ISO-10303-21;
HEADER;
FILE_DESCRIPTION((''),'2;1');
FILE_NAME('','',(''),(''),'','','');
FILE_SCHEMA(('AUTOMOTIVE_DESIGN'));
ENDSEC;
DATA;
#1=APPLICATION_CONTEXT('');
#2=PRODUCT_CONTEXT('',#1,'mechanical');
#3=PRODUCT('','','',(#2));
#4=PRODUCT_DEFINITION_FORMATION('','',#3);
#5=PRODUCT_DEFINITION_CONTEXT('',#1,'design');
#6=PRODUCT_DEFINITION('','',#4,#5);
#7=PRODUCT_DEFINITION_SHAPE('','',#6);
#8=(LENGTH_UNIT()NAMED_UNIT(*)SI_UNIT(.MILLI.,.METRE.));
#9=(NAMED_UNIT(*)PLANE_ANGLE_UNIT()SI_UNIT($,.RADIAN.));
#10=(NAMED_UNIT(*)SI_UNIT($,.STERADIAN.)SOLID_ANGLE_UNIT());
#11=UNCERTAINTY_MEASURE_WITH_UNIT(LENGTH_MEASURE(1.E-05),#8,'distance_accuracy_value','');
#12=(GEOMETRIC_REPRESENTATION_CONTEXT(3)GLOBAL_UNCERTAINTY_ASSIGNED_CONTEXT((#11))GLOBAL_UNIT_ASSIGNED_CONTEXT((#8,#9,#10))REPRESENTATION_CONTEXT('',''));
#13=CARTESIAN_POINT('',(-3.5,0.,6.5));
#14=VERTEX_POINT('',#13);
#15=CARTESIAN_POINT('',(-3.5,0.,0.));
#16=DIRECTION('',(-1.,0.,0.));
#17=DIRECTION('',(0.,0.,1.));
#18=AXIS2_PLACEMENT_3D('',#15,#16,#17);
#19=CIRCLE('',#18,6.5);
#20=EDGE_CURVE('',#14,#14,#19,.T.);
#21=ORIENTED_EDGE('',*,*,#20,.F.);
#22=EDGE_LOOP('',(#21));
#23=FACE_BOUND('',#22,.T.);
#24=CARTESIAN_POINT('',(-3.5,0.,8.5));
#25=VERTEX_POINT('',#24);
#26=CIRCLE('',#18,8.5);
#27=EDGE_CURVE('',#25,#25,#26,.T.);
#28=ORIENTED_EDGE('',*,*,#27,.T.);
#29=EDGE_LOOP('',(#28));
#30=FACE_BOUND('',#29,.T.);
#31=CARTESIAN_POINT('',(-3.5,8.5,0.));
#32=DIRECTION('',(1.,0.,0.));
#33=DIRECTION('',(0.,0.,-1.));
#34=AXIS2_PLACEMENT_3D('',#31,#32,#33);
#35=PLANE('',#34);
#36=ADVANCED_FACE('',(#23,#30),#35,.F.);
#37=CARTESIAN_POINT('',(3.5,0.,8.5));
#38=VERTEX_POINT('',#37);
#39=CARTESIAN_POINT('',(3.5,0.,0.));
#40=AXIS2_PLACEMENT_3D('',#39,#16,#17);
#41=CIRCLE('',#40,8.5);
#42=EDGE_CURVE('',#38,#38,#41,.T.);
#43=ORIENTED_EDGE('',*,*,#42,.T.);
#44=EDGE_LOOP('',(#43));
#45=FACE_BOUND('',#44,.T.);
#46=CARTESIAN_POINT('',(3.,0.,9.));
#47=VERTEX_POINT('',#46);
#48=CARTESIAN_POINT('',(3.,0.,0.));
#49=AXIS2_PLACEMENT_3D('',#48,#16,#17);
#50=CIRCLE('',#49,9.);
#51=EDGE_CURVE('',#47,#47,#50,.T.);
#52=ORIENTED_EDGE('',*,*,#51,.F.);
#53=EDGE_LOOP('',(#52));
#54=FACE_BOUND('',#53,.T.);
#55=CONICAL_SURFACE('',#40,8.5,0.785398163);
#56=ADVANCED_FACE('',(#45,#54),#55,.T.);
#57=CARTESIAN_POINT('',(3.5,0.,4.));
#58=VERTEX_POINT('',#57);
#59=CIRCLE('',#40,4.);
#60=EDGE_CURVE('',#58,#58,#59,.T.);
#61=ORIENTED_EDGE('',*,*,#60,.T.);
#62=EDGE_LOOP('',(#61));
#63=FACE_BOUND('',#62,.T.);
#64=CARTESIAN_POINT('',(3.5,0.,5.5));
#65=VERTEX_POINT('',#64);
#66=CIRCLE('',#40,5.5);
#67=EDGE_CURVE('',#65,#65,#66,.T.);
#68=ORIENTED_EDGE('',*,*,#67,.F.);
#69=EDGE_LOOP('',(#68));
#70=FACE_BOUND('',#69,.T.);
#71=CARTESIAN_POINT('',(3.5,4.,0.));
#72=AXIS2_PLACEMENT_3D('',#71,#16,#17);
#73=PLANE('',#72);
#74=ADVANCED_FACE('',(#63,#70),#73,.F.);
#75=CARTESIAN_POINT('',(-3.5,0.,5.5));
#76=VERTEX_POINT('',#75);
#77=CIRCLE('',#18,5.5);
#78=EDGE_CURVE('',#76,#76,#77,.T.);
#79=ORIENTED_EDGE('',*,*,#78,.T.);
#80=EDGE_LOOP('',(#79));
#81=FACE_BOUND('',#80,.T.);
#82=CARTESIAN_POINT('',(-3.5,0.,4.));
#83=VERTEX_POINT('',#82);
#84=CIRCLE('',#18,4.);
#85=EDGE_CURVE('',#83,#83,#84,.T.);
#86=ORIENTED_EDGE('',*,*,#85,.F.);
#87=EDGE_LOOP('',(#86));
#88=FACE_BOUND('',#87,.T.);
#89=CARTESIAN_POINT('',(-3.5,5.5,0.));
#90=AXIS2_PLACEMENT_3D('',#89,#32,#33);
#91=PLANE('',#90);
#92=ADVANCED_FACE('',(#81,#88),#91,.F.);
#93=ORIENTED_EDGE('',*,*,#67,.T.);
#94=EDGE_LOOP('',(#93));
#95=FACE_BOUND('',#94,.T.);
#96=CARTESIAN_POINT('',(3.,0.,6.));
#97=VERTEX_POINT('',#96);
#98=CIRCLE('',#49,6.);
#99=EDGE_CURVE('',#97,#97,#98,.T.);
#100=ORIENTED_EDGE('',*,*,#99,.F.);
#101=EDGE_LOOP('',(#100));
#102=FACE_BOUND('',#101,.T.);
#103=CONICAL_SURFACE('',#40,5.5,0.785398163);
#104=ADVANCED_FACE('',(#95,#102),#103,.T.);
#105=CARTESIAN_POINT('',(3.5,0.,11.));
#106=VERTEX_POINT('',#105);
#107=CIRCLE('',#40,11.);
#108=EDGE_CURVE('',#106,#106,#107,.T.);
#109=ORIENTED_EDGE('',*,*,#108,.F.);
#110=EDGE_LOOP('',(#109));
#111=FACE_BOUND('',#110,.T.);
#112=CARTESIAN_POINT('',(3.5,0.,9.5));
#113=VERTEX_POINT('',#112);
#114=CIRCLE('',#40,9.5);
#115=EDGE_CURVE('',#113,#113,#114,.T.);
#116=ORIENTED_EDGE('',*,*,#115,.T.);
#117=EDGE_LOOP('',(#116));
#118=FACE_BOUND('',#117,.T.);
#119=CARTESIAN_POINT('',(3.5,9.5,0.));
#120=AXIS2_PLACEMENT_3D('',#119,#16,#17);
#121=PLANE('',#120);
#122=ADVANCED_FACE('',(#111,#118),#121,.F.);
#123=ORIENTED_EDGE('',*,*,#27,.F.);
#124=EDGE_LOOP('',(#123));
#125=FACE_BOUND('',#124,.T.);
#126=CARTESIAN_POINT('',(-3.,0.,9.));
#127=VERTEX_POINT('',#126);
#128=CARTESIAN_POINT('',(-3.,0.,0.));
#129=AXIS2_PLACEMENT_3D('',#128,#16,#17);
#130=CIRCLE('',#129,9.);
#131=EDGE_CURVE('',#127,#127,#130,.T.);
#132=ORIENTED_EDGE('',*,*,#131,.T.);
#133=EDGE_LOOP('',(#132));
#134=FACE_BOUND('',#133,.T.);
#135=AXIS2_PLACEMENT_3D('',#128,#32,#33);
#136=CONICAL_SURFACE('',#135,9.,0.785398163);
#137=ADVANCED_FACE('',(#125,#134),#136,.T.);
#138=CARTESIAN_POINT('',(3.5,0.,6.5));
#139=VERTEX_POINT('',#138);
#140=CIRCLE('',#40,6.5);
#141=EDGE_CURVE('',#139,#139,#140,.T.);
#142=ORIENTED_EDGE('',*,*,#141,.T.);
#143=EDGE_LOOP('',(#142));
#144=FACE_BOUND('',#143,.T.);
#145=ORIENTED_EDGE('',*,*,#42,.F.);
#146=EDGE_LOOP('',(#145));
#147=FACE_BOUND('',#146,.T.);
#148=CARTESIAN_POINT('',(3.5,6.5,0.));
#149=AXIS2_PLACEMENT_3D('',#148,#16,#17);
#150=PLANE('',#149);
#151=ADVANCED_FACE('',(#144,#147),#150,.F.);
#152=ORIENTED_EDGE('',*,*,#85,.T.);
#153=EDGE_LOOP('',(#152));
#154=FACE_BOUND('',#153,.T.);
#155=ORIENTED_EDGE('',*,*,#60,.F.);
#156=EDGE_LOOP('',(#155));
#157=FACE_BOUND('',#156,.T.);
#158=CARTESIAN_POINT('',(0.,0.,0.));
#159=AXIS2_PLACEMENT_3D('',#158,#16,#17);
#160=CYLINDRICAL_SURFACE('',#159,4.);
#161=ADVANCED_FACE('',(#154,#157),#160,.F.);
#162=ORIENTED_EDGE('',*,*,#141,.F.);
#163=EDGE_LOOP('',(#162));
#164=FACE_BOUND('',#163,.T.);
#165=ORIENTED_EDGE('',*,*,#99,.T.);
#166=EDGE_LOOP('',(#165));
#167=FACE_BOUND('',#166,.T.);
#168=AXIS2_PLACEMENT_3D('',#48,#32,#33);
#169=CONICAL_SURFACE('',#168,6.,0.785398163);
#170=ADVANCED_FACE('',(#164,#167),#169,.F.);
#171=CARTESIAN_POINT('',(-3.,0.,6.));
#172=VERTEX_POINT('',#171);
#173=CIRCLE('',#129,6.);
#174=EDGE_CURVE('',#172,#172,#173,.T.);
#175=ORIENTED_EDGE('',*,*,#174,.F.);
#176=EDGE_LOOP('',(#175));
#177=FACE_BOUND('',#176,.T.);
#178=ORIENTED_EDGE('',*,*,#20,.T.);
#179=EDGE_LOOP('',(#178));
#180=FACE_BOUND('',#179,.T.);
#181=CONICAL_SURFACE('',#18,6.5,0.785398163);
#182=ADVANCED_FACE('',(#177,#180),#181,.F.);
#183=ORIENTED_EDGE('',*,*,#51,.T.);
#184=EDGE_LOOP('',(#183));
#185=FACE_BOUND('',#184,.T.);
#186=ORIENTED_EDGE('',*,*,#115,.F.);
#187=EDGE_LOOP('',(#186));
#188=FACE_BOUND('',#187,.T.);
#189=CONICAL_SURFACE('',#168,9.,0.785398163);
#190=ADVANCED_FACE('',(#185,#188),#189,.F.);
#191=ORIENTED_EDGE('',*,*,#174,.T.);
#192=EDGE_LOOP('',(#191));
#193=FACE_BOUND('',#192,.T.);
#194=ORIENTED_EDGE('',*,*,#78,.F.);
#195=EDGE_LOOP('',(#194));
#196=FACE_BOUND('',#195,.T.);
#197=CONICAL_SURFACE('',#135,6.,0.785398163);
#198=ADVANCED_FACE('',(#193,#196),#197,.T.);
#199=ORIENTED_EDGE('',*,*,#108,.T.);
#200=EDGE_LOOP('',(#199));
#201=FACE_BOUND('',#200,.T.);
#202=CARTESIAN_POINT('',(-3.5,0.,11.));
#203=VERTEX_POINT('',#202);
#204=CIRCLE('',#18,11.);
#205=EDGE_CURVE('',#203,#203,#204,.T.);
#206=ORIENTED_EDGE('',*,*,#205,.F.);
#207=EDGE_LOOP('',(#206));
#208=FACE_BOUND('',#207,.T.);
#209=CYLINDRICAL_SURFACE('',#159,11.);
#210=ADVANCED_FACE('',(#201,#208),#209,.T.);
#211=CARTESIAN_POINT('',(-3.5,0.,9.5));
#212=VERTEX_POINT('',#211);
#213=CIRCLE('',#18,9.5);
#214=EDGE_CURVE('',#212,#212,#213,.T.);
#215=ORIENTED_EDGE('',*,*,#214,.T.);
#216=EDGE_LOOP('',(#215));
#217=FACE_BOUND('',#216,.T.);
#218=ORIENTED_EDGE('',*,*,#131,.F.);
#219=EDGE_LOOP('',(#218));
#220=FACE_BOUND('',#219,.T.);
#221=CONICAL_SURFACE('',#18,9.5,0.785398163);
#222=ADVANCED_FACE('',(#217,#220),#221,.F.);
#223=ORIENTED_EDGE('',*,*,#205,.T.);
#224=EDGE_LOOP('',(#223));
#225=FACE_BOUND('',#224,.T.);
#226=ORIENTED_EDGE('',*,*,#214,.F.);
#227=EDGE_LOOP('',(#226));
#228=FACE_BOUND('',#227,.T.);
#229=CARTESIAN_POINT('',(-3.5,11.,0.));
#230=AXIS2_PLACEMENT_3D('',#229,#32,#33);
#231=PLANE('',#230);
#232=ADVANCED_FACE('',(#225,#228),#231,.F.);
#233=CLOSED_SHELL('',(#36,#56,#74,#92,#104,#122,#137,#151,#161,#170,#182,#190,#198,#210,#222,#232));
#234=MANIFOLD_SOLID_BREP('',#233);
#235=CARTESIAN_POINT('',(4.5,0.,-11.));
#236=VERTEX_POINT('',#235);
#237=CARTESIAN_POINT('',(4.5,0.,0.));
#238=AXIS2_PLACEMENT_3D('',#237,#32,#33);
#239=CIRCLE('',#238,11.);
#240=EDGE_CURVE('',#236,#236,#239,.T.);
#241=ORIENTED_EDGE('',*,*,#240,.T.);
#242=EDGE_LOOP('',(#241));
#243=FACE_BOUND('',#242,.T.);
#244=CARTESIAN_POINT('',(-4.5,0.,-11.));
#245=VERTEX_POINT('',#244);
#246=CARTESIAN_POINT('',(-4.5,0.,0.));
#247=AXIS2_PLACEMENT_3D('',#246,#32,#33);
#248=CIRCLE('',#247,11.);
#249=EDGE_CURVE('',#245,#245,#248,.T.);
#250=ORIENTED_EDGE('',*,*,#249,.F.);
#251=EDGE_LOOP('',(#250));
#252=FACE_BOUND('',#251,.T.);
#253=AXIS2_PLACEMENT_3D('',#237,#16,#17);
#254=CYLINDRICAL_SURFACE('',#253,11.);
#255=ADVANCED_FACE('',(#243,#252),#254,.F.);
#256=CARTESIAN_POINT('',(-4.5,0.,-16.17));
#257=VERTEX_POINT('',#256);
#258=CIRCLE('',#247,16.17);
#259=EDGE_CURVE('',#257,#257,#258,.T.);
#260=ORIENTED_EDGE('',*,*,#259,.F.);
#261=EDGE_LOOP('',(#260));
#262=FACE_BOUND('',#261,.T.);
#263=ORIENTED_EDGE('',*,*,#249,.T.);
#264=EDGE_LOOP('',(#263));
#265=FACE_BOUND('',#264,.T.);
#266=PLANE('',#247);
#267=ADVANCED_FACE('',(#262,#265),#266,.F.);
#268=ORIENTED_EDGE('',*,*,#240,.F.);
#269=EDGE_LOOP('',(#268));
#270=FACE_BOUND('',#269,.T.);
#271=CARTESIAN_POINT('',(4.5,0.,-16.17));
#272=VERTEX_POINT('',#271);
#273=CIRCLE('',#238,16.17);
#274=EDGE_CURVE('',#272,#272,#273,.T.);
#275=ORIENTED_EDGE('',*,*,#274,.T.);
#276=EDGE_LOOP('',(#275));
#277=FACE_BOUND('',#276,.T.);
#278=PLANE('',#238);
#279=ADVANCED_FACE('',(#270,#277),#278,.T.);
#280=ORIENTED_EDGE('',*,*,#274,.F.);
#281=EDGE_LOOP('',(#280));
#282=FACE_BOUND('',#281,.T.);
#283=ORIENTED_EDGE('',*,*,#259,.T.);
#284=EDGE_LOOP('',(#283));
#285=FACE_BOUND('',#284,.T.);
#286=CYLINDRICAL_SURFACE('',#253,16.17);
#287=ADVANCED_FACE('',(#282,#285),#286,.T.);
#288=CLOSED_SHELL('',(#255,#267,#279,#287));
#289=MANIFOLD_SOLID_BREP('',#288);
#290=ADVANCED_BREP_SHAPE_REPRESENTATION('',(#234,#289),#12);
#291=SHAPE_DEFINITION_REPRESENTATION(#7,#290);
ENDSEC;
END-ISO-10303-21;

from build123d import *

# Parameters (mm, degrees)
ESQUISSE2_R        = 16.17
ESQUISSE2_R_2      = 11
BOSS_EXTRU_1_DEPTH = 4.5


with BuildPart() as part:
    # Esquisse1 → Base-Révolution (revolve)
    with BuildSketch(Plane.XY, mode=Mode.PRIVATE) as base_r_volution_sk:
        Polygon((-3.5, 4), (3.5, 4), (3.5, 5.5), (3, 6), (3.5, 6.5), (3.5, 8.5), (3, 9), (3.5, 9.5), (3.5, 11), (-3.5, 11), (-3.5, 9.5), (-3, 9), (-3.5, 8.5), (-3.5, 6.5), (-3, 6), (-3.5, 5.5), align=None)
    revolve(base_r_volution_sk.sketch.rotate(Axis((0, 0, 0), (1, 0, 0)), 90), axis=Axis((0, 0, 0), (1, 0, 0)))


with BuildPart() as body_2:
    # Esquisse2 → Boss.-Extru.1 (new, symmetric)
    with BuildSketch(Plane(origin=(0, 0, 0), x_dir=(0, 0, -1), z_dir=(1, 0, 0))):
        Circle(ESQUISSE2_R)
        Circle(ESQUISSE2_R_2, mode=Mode.SUBTRACT)
    extrude(amount=BOSS_EXTRU_1_DEPTH, both=True)


solid = Compound([part.part, body_2.part])
